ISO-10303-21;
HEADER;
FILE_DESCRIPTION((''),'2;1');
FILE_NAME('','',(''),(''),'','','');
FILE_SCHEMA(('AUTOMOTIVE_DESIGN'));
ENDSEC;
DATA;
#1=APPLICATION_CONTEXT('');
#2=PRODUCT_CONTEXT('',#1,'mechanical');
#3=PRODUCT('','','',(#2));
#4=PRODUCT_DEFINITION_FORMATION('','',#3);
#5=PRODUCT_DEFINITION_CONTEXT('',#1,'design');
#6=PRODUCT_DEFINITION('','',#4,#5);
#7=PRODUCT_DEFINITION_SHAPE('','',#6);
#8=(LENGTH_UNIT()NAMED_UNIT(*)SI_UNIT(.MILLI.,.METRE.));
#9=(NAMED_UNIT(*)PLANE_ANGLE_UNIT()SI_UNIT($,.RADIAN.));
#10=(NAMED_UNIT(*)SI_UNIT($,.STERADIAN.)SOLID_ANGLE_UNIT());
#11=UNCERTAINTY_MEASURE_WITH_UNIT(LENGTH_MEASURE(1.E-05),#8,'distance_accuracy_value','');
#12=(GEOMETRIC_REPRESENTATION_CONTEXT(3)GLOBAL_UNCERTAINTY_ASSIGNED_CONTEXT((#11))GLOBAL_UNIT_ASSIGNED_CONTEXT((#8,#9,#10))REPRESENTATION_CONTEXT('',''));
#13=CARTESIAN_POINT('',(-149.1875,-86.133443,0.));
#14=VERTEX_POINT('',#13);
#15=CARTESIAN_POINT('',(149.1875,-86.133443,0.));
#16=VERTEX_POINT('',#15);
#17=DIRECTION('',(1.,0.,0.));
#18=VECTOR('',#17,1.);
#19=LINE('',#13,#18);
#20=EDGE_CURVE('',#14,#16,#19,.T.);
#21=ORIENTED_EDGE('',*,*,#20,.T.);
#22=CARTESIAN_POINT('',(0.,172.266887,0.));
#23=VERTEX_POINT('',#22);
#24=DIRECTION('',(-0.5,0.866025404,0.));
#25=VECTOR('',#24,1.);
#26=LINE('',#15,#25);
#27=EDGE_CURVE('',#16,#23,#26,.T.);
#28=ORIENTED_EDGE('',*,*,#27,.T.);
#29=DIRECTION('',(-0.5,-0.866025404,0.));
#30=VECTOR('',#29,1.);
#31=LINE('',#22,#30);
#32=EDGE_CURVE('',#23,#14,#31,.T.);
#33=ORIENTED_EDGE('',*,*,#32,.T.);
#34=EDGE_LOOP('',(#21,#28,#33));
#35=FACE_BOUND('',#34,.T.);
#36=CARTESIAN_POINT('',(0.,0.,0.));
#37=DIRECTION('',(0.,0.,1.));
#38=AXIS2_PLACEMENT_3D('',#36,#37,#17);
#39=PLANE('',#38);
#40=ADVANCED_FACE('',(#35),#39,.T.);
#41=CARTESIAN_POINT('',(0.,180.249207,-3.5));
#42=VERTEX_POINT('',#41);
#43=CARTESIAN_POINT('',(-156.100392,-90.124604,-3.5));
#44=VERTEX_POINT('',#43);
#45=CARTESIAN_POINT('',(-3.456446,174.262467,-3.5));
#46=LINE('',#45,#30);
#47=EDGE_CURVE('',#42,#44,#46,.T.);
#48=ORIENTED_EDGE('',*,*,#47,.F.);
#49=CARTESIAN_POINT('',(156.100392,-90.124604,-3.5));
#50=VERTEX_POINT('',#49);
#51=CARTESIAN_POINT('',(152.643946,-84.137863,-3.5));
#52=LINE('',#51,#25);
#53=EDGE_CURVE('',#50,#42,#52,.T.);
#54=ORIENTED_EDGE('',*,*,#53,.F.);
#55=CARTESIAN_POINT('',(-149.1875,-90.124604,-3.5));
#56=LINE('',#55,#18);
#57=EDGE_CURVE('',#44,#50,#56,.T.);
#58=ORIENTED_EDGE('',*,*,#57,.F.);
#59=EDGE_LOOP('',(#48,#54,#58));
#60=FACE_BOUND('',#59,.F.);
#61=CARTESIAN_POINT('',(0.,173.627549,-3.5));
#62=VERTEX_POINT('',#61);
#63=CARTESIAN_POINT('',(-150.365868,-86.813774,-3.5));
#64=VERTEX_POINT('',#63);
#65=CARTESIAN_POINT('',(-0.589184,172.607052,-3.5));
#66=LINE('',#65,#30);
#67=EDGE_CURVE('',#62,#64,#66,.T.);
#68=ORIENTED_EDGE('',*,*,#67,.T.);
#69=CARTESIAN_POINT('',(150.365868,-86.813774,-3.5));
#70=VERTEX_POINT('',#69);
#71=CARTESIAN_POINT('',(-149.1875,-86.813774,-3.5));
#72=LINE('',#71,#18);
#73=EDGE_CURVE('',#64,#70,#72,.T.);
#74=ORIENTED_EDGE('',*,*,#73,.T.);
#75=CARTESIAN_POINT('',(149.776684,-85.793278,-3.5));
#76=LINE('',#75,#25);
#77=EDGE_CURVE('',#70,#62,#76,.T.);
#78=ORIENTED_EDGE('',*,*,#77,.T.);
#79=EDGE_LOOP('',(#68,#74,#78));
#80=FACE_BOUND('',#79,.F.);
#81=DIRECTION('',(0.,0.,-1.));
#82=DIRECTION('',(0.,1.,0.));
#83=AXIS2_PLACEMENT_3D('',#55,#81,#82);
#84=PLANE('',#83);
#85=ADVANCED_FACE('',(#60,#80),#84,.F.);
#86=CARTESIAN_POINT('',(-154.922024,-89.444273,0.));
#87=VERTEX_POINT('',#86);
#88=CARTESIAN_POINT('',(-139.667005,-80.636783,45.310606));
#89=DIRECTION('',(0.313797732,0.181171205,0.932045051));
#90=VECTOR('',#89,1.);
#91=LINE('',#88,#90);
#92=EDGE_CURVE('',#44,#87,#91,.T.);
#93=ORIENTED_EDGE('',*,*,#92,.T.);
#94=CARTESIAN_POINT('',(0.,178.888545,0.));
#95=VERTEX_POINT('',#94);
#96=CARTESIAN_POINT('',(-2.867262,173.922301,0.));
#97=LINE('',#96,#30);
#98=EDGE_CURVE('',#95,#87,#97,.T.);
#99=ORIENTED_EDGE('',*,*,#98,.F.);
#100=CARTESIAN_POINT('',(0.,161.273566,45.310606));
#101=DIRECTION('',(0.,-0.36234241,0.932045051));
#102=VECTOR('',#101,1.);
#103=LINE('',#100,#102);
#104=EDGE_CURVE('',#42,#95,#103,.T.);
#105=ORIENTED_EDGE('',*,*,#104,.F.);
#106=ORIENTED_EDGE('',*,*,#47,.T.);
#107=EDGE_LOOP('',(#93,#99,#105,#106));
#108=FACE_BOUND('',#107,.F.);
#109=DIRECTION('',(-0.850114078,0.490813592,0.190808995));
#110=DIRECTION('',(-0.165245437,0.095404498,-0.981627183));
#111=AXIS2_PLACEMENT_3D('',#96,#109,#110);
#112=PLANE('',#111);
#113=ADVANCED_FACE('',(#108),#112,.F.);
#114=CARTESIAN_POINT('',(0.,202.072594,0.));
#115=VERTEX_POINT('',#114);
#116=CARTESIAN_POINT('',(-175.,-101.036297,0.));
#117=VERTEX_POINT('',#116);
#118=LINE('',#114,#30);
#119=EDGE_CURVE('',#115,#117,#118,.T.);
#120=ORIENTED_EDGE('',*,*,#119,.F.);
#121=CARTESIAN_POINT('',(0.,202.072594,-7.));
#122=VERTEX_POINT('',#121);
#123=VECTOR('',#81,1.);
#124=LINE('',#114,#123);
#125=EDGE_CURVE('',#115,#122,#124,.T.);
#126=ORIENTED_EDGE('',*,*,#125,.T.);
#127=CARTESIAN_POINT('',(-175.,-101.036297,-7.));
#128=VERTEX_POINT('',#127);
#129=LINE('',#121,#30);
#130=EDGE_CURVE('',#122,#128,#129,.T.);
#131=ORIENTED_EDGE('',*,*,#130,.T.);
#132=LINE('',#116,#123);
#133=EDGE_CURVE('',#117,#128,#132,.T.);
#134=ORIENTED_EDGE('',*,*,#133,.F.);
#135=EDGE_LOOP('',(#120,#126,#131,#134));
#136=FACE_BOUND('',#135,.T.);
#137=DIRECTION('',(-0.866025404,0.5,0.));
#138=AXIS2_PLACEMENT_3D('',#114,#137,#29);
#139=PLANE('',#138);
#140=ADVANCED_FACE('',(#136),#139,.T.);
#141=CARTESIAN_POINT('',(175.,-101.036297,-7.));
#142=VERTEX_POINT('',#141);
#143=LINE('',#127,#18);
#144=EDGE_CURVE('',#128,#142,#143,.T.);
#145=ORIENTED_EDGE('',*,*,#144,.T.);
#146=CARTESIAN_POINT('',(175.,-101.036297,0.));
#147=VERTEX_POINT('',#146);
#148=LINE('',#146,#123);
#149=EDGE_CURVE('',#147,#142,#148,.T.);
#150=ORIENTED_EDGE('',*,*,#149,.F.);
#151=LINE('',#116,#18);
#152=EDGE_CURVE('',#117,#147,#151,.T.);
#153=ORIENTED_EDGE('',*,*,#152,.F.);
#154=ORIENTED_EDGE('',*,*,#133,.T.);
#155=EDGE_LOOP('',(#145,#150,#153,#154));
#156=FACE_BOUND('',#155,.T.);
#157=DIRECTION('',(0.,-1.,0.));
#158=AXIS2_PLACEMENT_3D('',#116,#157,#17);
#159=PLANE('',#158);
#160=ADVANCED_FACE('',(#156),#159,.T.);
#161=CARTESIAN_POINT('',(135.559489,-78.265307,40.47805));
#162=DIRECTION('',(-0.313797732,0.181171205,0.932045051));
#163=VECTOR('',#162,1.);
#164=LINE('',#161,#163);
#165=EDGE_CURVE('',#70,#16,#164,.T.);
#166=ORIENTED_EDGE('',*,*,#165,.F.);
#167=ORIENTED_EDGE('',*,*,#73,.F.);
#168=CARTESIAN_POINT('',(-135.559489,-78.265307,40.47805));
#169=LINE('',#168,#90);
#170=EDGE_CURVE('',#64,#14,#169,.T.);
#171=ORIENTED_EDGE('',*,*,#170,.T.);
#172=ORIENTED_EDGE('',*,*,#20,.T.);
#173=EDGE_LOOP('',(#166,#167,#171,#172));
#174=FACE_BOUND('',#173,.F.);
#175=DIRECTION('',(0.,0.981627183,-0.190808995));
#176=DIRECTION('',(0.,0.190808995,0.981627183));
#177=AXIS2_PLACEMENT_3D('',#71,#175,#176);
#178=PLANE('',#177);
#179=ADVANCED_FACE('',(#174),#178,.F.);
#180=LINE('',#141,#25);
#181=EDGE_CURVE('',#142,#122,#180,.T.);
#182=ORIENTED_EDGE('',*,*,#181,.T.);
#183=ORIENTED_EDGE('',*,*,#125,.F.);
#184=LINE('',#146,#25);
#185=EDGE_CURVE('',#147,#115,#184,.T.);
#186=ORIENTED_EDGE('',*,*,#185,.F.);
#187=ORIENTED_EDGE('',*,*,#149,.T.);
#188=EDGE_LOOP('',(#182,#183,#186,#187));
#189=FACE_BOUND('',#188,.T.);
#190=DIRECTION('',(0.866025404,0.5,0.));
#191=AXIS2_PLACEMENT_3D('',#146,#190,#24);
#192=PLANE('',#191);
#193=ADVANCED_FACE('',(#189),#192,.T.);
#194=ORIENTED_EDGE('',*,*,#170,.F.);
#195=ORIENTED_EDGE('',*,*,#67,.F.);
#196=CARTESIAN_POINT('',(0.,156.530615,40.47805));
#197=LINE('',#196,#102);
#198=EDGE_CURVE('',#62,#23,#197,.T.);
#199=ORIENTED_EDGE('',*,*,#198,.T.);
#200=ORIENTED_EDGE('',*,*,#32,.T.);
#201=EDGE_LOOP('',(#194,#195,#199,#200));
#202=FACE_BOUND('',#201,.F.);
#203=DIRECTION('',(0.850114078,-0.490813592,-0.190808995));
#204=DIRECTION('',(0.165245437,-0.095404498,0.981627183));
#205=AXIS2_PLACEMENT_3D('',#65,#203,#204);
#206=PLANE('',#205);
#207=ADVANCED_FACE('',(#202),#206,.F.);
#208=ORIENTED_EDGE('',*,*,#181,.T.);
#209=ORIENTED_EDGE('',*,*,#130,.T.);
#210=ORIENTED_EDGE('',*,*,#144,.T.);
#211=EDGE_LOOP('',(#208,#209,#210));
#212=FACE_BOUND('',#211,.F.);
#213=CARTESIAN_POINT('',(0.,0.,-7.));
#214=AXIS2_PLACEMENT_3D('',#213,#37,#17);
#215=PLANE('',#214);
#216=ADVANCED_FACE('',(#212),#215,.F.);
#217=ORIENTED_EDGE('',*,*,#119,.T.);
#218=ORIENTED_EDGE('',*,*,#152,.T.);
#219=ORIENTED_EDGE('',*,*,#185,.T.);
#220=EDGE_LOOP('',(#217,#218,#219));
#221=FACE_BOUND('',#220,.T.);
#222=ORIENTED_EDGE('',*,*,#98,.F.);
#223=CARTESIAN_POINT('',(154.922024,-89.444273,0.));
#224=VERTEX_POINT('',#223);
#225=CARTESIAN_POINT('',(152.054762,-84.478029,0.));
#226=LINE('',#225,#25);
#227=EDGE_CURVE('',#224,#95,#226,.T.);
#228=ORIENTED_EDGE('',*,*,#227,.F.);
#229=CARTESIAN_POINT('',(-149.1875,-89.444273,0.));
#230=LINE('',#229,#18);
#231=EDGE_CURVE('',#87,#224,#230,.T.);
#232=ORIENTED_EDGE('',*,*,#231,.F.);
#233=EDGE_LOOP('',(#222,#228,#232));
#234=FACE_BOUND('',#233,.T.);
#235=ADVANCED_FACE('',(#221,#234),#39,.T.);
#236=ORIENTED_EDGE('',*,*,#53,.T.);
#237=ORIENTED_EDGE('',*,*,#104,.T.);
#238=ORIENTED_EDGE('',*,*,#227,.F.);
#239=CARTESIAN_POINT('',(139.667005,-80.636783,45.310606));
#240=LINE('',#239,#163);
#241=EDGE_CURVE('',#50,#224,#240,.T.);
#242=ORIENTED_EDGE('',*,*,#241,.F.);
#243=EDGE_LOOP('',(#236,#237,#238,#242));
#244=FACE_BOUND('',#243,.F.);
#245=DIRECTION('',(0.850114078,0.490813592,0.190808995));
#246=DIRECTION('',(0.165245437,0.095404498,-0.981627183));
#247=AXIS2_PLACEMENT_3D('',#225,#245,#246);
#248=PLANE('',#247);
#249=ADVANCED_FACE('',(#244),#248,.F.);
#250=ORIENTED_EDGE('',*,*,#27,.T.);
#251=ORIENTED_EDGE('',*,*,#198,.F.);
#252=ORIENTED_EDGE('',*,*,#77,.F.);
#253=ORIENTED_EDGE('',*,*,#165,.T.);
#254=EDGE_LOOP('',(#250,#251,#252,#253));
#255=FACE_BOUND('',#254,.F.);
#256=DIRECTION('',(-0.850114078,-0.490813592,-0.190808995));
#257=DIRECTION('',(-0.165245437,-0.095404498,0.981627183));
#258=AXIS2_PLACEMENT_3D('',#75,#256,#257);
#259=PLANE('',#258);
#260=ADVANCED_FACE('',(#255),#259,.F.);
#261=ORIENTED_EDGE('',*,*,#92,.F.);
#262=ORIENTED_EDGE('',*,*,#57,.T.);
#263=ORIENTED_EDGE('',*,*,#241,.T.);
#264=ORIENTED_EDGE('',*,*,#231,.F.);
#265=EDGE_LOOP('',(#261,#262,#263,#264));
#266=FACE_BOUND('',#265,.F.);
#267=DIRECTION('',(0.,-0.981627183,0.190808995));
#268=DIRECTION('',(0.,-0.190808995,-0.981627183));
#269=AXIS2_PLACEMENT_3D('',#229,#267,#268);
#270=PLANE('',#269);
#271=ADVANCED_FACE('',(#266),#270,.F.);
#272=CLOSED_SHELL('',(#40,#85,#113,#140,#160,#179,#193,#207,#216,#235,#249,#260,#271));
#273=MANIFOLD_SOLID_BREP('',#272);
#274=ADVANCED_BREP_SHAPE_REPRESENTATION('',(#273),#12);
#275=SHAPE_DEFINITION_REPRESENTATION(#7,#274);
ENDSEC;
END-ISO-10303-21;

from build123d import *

# Parameters (mm, degrees)
F4_DEPTH = 7


with BuildPart() as f4:
    # F0 (on Top) → F4 (new body)
    with BuildSketch(Plane.XY):
        Polygon((175, -101.0362971082), (0, 202.0725942164), (-175, -101.0362971082), align=None)
    extrude(amount=-F4_DEPTH)

    # F3: sweep along a path in F2
    with BuildLine(Plane.XY) as f3_path:
        Line((-149.1875, -86.1334432847), (149.1875, -86.1334432847))
        Line((149.1875, -86.1334432847), (0, 172.2668865695))
        Line((0, 172.2668865695), (-149.1875, -86.1334432847))
    # F1 (on Right) → F3 (sweep, cut)
    with BuildSketch(Plane.YZ):
        Polygon((-86.8137743667, -3.5), (-86.1334432847, 0), (-89.4442725433, 0), (-90.1246036253, -3.5), align=None)
    sweep(path=f3_path.line, transition=Transition.RIGHT, mode=Mode.SUBTRACT)


solid = f4.part
